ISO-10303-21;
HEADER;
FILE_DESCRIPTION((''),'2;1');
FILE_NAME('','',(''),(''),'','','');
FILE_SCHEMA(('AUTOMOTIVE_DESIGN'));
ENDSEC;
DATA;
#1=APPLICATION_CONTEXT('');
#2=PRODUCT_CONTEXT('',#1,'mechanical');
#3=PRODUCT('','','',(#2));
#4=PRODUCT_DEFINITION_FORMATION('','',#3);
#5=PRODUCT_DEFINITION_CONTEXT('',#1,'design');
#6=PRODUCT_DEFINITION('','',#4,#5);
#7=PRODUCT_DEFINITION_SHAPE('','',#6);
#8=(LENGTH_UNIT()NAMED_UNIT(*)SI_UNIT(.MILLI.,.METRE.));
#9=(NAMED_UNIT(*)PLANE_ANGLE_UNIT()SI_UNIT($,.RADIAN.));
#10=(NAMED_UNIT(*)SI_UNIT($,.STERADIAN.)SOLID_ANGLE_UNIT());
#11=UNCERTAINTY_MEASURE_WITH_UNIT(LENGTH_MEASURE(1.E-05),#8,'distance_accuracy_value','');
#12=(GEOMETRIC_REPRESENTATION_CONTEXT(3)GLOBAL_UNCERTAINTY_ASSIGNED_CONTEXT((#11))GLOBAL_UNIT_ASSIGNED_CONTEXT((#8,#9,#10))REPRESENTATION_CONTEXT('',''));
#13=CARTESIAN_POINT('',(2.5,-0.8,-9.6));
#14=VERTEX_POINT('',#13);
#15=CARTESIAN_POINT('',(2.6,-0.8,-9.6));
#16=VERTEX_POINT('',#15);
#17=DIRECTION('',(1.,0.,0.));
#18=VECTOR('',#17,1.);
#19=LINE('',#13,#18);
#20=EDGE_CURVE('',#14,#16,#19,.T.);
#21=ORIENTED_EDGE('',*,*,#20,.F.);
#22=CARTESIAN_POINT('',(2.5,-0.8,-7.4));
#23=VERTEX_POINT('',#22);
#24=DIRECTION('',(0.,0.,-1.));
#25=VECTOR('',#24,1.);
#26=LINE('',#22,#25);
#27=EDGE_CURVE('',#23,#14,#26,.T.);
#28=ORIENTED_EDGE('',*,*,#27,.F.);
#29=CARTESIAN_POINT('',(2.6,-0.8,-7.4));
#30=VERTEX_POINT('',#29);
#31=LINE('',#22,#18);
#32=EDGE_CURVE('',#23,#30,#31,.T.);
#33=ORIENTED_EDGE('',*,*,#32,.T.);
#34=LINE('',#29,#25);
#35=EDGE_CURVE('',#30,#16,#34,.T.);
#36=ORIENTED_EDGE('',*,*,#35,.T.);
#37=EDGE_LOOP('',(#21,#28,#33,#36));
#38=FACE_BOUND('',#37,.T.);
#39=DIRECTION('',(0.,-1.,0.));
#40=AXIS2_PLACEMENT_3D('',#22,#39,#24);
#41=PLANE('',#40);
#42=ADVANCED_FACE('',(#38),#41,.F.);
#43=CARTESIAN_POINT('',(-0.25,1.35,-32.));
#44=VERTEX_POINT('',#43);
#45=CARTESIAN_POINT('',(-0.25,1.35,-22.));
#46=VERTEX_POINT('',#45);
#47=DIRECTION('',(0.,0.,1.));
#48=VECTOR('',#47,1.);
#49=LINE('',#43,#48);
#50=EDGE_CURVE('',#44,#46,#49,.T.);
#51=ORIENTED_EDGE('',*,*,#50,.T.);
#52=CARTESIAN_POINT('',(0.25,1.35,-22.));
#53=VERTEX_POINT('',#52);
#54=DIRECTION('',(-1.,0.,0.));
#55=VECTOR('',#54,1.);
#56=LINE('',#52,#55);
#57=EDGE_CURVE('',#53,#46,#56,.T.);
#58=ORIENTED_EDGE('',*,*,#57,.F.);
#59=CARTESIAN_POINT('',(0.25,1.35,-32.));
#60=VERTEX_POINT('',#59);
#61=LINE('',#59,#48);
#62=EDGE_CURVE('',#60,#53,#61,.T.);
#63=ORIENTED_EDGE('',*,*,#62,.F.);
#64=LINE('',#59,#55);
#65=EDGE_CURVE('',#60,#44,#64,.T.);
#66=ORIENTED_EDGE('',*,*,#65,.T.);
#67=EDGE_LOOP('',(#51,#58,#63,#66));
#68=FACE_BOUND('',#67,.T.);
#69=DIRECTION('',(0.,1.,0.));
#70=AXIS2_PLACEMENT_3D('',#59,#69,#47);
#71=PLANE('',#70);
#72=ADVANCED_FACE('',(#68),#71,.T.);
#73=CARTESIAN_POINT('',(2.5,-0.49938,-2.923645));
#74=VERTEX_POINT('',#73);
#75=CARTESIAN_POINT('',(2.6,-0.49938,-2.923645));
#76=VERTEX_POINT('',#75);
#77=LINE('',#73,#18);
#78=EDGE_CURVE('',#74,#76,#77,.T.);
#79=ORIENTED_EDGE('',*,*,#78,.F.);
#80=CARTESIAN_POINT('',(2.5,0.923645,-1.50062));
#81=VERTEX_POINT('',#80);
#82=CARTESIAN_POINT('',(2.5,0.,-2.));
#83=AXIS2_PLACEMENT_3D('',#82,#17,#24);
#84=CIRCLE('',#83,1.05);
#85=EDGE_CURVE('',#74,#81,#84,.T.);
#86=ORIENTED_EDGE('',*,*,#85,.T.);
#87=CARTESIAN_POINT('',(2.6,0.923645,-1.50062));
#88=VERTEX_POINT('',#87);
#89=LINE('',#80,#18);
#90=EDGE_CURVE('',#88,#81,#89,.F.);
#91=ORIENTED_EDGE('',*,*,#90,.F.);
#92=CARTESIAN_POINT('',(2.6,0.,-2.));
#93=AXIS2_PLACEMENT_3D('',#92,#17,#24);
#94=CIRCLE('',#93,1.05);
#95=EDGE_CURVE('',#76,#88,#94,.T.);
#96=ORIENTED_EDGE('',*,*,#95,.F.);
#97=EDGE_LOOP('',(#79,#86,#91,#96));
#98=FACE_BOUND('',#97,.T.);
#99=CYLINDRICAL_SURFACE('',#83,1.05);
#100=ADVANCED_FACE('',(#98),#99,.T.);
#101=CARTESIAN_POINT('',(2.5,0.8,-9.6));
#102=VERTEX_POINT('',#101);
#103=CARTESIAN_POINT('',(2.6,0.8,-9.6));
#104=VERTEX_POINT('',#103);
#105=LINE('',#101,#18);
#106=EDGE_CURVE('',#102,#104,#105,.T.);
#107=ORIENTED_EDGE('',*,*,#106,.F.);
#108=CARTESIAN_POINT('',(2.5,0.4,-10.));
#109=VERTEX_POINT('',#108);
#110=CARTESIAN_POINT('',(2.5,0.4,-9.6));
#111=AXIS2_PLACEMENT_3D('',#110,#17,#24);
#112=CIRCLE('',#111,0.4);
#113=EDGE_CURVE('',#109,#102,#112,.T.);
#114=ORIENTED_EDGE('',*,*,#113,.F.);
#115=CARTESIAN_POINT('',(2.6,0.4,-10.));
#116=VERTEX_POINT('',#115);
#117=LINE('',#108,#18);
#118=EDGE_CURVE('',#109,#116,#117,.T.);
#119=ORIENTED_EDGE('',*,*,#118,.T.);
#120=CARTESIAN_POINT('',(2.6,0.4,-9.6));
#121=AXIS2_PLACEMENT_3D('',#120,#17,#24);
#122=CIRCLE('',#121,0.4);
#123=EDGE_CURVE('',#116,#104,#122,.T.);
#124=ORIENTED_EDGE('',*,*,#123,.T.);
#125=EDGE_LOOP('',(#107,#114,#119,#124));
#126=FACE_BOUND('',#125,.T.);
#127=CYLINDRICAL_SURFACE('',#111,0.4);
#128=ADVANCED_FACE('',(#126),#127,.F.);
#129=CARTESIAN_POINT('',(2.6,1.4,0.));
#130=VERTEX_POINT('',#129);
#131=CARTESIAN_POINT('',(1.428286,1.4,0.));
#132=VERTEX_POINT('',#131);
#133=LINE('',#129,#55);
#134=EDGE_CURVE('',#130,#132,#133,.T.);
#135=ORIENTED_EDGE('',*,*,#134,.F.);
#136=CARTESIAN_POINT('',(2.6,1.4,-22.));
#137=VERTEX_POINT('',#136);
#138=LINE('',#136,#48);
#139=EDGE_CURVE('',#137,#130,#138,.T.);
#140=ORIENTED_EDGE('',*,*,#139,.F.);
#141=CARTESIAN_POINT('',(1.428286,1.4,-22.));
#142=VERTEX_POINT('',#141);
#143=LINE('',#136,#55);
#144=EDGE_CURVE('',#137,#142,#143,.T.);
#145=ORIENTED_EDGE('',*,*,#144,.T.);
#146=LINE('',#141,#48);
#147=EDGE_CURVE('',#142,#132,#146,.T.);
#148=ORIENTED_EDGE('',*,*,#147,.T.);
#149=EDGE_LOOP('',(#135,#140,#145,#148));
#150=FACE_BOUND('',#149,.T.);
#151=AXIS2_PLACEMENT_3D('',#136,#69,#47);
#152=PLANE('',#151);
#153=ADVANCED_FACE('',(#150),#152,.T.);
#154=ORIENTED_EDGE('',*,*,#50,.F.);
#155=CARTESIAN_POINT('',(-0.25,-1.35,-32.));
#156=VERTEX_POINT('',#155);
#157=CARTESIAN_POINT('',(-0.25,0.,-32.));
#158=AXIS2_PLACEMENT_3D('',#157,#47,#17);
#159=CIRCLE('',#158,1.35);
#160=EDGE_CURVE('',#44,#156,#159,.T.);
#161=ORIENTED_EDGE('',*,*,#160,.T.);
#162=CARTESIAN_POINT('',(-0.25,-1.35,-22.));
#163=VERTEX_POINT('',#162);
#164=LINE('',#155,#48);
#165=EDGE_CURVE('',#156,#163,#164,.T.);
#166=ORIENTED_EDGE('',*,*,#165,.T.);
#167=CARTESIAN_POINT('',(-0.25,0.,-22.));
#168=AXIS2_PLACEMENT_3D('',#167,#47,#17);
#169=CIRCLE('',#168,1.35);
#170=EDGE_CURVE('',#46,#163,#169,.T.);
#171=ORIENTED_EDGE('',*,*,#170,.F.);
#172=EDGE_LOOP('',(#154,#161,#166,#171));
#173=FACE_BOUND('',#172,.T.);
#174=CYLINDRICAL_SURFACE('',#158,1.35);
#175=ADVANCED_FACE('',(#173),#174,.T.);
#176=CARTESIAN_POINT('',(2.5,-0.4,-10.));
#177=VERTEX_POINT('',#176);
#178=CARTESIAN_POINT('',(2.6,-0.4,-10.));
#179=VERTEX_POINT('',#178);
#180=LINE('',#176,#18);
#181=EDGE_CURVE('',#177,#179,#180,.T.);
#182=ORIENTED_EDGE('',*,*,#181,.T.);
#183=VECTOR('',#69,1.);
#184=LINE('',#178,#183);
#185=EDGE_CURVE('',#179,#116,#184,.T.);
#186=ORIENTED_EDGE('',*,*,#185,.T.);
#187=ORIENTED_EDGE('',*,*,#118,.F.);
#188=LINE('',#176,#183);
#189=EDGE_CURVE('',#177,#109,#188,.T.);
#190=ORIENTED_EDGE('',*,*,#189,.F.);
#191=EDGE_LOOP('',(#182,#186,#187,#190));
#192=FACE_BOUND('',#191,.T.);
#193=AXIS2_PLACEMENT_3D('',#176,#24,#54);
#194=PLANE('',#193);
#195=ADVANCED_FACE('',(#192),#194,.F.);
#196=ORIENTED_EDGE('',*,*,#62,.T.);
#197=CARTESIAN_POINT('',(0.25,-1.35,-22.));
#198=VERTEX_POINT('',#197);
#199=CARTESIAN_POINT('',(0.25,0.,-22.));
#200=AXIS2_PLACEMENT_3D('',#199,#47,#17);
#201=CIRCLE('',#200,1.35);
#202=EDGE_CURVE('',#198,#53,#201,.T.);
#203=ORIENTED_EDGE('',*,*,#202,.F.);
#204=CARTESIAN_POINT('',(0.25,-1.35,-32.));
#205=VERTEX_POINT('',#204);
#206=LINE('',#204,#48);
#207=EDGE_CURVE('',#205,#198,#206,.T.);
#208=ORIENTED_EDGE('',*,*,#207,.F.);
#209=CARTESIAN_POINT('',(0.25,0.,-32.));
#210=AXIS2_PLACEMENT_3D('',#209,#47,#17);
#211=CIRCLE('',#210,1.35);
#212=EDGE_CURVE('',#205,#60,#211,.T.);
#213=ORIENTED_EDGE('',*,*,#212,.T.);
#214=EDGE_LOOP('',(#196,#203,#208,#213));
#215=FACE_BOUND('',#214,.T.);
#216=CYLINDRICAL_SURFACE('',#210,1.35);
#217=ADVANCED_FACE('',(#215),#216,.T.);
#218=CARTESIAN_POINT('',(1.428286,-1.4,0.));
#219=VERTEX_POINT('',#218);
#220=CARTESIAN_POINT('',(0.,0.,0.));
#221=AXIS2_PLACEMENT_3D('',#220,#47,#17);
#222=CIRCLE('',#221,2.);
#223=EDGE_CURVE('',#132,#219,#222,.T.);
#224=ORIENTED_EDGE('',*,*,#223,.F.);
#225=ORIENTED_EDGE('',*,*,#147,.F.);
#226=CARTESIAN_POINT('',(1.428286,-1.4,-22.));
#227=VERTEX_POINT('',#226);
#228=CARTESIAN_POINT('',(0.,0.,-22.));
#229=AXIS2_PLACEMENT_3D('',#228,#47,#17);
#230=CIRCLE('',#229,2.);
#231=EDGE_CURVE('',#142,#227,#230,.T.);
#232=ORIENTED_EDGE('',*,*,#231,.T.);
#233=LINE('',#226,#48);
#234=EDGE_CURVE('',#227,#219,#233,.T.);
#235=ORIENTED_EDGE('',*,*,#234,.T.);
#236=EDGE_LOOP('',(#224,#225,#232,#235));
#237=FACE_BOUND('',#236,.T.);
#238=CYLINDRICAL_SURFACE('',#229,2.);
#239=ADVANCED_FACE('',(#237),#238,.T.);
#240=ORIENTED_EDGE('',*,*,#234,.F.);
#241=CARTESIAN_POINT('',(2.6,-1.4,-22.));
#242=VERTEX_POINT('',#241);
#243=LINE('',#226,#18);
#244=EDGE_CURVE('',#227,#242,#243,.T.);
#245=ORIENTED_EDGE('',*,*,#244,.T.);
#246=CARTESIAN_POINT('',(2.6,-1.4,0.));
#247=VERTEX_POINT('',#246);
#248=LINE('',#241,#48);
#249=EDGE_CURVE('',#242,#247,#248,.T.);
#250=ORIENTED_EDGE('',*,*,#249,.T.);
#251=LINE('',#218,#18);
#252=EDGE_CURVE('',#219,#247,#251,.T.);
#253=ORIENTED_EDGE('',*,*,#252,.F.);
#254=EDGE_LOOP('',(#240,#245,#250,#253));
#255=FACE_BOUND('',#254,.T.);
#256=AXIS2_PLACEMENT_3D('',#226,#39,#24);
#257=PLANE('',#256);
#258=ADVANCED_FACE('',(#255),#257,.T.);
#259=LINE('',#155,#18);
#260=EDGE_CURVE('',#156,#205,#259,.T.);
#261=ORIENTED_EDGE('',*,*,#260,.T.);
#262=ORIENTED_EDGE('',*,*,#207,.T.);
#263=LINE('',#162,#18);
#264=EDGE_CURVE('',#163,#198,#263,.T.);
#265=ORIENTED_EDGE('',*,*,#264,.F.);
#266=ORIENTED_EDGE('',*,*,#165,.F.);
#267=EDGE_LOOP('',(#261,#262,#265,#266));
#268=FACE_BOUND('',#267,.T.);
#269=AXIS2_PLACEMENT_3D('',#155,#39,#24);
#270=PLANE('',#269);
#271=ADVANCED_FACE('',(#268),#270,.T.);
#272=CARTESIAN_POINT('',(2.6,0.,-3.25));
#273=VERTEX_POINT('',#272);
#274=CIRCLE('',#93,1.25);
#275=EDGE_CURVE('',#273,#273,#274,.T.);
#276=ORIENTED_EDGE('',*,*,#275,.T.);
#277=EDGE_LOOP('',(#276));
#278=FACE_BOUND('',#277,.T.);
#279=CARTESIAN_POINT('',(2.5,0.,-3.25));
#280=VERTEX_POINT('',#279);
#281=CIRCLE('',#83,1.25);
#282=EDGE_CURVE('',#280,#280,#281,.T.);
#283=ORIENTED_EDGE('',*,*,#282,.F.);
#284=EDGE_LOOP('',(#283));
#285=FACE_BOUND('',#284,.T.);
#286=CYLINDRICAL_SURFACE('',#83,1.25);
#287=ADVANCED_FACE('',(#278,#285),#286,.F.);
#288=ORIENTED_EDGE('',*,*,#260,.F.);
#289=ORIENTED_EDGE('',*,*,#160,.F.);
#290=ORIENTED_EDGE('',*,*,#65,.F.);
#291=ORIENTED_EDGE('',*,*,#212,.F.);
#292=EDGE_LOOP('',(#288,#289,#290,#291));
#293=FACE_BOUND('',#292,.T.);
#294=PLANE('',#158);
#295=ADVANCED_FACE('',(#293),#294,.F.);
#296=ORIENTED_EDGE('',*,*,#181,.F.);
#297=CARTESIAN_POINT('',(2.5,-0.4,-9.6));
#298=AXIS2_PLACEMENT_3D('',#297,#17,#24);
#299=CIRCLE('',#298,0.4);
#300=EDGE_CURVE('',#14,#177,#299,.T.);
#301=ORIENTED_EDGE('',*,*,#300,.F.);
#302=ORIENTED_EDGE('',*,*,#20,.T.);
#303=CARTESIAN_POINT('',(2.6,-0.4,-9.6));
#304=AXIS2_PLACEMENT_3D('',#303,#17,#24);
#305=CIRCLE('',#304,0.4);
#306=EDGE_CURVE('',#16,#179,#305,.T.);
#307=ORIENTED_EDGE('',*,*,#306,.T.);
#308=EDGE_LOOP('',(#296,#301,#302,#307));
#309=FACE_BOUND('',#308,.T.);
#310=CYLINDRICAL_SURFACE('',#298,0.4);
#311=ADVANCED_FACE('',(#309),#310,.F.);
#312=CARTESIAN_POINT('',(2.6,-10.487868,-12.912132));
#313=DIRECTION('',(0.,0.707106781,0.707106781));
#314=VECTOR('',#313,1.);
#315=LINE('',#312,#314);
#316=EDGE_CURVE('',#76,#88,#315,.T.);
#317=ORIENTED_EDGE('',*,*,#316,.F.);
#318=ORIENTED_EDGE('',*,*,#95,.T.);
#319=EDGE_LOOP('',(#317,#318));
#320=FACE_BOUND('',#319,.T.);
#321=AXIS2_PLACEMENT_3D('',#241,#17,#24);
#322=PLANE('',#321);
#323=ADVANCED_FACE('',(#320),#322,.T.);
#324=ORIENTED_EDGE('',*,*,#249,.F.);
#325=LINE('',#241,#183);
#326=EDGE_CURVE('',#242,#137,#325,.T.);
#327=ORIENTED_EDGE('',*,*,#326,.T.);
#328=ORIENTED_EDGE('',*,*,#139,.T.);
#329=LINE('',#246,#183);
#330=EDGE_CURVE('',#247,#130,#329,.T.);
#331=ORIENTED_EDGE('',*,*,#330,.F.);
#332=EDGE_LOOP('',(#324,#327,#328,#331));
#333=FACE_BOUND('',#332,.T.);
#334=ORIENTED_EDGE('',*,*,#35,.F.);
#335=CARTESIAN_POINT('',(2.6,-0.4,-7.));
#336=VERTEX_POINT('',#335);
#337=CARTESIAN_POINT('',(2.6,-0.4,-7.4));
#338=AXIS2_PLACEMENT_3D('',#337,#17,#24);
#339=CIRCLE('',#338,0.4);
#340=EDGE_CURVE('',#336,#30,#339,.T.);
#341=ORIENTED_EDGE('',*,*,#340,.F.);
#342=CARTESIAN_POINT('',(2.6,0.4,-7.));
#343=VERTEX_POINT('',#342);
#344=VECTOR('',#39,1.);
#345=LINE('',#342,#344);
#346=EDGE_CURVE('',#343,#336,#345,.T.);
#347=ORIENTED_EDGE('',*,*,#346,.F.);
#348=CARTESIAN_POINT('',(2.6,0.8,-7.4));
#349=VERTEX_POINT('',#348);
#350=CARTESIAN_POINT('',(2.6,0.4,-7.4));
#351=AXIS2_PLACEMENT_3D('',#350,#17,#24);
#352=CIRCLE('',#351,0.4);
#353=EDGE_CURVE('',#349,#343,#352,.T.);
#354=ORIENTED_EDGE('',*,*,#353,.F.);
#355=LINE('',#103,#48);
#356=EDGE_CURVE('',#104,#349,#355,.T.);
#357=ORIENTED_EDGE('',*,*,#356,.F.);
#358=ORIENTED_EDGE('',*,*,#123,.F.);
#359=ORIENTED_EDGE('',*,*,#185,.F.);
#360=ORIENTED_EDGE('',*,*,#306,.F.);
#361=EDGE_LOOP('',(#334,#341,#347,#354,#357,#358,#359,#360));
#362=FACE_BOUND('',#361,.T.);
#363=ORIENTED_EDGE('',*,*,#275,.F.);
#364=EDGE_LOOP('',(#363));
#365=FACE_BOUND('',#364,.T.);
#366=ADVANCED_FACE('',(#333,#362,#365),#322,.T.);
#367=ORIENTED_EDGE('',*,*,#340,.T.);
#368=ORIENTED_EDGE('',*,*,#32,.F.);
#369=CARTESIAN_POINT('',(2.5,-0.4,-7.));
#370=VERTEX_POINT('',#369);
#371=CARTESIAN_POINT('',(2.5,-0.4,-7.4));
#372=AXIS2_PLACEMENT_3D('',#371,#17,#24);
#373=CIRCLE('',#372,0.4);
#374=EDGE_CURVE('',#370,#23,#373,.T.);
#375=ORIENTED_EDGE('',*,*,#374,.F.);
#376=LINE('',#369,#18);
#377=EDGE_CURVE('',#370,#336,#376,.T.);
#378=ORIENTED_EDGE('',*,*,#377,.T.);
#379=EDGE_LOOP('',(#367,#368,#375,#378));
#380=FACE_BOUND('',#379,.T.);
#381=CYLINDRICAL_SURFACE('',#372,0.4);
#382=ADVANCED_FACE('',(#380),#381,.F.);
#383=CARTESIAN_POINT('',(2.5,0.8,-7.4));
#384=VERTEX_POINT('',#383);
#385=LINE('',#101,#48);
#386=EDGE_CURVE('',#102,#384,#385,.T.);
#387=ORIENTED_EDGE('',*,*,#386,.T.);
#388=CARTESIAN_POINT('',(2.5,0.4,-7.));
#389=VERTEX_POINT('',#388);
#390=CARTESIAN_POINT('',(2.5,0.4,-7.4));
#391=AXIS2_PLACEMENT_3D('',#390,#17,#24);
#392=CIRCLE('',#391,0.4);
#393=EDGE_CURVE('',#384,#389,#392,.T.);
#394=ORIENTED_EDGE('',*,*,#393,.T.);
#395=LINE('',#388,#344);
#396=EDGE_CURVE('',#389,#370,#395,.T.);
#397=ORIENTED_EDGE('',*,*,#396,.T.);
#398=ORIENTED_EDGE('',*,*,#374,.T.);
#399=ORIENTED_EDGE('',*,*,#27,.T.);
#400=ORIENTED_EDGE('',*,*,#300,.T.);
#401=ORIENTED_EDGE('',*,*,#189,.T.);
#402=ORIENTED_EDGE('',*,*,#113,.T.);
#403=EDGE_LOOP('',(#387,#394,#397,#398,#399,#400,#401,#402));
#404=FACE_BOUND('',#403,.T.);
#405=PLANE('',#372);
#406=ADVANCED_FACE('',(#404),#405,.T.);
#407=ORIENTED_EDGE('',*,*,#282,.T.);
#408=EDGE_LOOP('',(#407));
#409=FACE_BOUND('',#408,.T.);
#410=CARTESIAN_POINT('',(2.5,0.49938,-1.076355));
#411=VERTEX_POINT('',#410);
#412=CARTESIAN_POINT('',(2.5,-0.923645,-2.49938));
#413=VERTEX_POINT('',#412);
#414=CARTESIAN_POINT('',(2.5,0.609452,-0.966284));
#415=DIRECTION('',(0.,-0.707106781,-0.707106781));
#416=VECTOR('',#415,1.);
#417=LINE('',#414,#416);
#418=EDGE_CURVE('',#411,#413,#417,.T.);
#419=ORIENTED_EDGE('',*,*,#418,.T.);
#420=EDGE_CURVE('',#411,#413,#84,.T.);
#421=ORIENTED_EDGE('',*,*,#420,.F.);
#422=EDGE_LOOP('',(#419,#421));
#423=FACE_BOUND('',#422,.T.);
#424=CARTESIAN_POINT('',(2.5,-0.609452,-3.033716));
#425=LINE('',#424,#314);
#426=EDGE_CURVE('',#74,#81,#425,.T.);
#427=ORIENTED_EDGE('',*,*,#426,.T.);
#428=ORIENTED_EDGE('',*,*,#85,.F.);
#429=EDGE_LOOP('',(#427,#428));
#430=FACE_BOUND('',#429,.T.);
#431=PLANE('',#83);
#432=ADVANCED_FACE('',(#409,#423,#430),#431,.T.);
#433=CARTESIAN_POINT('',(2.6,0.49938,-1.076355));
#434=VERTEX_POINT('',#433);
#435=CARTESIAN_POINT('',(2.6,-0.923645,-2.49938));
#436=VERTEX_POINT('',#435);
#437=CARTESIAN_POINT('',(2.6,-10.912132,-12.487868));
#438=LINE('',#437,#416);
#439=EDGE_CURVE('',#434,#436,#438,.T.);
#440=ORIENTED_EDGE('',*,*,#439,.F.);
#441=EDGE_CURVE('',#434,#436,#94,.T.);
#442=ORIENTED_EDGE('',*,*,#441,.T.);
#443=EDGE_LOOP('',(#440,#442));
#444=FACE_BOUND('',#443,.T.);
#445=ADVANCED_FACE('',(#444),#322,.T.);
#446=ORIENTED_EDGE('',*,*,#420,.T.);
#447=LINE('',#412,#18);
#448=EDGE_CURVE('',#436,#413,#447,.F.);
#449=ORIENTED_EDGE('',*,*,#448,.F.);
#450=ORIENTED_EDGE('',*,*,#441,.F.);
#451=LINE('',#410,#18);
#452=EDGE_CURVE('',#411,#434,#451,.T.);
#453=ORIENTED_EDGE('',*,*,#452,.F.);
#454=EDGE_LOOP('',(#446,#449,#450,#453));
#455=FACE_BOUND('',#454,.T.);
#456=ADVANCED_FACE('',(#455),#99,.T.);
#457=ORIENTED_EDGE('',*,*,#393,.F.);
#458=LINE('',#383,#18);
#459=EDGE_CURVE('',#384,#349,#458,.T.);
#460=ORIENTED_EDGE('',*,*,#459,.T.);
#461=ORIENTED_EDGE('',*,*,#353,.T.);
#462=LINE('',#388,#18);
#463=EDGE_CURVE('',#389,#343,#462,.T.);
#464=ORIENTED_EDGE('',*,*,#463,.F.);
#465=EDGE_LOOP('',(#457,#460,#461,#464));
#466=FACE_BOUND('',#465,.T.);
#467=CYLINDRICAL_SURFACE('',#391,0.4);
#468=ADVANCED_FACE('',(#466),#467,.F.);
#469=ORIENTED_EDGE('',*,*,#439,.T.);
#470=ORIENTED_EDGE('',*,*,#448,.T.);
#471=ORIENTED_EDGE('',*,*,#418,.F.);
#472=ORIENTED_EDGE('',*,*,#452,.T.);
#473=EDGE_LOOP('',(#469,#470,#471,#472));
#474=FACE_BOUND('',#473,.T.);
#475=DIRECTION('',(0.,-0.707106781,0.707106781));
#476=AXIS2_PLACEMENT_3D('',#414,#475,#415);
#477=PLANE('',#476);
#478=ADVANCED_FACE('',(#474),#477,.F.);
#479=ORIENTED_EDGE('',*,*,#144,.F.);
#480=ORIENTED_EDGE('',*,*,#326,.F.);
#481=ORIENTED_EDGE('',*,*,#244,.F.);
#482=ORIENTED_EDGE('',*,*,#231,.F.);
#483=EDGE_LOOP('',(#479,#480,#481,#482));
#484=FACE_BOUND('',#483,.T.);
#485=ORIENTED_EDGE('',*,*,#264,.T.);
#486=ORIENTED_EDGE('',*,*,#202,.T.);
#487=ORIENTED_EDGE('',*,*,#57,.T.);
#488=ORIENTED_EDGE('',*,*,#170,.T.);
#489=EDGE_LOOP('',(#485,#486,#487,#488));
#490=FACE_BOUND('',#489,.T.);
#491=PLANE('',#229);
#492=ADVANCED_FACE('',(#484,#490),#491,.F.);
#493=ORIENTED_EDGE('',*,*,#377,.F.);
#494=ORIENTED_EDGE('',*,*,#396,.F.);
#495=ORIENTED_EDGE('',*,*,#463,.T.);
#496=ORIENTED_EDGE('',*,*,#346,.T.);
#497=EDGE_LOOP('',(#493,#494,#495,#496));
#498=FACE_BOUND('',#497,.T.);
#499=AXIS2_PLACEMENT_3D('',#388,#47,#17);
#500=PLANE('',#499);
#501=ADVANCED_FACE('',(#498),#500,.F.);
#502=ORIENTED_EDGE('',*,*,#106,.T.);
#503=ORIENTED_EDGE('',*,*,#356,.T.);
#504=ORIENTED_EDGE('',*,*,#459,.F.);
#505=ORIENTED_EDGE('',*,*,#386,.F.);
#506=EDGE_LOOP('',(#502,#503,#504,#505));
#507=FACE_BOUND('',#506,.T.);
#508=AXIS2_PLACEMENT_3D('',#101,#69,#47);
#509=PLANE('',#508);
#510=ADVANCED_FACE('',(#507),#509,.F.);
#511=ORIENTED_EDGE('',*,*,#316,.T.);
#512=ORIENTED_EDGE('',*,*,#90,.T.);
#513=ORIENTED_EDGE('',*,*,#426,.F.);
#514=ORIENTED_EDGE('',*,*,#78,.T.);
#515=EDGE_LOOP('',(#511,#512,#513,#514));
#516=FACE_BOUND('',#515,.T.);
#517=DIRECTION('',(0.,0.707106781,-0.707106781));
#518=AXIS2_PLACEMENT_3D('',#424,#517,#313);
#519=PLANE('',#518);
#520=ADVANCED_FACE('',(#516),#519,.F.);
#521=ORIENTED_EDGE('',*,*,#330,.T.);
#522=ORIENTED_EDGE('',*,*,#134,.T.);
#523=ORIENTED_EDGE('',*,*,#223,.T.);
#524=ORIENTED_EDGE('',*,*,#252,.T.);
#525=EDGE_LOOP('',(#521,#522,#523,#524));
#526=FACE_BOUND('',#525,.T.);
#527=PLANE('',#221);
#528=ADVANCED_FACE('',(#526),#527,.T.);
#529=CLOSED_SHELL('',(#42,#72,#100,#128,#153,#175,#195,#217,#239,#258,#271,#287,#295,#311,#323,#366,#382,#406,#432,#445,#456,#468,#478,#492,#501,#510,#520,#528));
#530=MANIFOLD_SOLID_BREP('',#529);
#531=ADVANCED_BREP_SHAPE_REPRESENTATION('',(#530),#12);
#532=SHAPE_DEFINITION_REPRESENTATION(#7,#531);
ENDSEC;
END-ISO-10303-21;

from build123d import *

# Parameters (mm, degrees)
EXTRUDE_1_DEPTH     = 22
EXTRUDE_2_DEPTH     = 10
SKETCH_3_R          = 1.25
SKETCH_3_R_2        = 1.05
CUT_EXTRUDE_1_DEPTH = 0.1
CUT_EXTRUDE_2_DEPTH = 0.1
CUT_EXTRUDE_3_DEPTH = 0.1


with BuildPart() as part:
    # 草图1 → 凸台-拉伸1 (new body)
    with BuildSketch(Plane.XY):
        with BuildLine():
            Line((1.428285686, -1.4), (2.6, -1.4))
            Line((2.6, -1.4), (2.6, 1.4))
            Line((2.6, 1.4), (1.428285686, 1.4))
            ThreePointArc((1.428285686, 1.4), (-2, 0), (1.428285686, -1.4))
        make_face()
    extrude(amount=-EXTRUDE_1_DEPTH)

    # 草图2 → 凸台-拉伸2 (add)
    with BuildSketch(Plane.XY.offset(-22)):
        with BuildLine():
            Line((-0.25, -1.35), (0.25, -1.35))
            ThreePointArc((0.25, -1.35), (1.6, 0), (0.25, 1.35))
            Line((0.25, 1.35), (-0.25, 1.35))
            ThreePointArc((-0.25, 1.35), (-1.6, 0), (-0.25, -1.35))
        make_face()
    extrude(amount=-EXTRUDE_2_DEPTH)

    # 草图3 → 切除-拉伸1 (cut)
    with BuildSketch(Plane(origin=(2.6, 0, 0), x_dir=(0, 0, -1), z_dir=(1, 0, 0))):
        with Locations((2, 0)):
            Circle(SKETCH_3_R)
        with Locations((2, 0)):
            Circle(SKETCH_3_R_2, mode=Mode.SUBTRACT)
    extrude(amount=-CUT_EXTRUDE_1_DEPTH, mode=Mode.SUBTRACT)

    # 草图4 → 切除-拉伸2 (cut)
    with BuildSketch(Plane(origin=(2.6, 0, 0), x_dir=(0, 0, -1), z_dir=(1, 0, 0))):
        with BuildLine():
            Line((7.4, -0.8), (9.6, -0.8))
            ThreePointArc((9.6, -0.8), (9.882842712, -0.682842712), (10, -0.4))
            Line((10, -0.4), (10, 0.4))
            ThreePointArc((10, 0.4), (9.882842712, 0.682842712), (9.6, 0.8))
            Line((9.6, 0.8), (7.4, 0.8))
            ThreePointArc((7.4, 0.8), (7.117157288, 0.682842712), (7, 0.4))
            Line((7, 0.4), (7, -0.4))
            ThreePointArc((7, -0.4), (7.117157288, -0.682842712), (7.4, -0.8))
        make_face()
    extrude(amount=-CUT_EXTRUDE_2_DEPTH, mode=Mode.SUBTRACT)

    # 草图5 → 切除-拉伸3 (cut)
    with BuildSketch(Plane(origin=(2.6, 0, 0), x_dir=(0, 0, -1), z_dir=(1, 0, 0))):
        with BuildLine():
            Line((0.966284129, 0.609451802), (2.609451802, -1.033715871))
            ThreePointArc((2.609451802, -1.033715871), (2.848528137, -0.848528137), (3.033715871, -0.609451802))
            Line((3.033715871, -0.609451802), (1.390548198, 1.033715871))
            ThreePointArc((1.390548198, 1.033715871), (1.151471863, 0.848528137), (0.966284129, 0.609451802))
        make_face()
    extrude(amount=-CUT_EXTRUDE_3_DEPTH, mode=Mode.SUBTRACT)


solid = part.part
